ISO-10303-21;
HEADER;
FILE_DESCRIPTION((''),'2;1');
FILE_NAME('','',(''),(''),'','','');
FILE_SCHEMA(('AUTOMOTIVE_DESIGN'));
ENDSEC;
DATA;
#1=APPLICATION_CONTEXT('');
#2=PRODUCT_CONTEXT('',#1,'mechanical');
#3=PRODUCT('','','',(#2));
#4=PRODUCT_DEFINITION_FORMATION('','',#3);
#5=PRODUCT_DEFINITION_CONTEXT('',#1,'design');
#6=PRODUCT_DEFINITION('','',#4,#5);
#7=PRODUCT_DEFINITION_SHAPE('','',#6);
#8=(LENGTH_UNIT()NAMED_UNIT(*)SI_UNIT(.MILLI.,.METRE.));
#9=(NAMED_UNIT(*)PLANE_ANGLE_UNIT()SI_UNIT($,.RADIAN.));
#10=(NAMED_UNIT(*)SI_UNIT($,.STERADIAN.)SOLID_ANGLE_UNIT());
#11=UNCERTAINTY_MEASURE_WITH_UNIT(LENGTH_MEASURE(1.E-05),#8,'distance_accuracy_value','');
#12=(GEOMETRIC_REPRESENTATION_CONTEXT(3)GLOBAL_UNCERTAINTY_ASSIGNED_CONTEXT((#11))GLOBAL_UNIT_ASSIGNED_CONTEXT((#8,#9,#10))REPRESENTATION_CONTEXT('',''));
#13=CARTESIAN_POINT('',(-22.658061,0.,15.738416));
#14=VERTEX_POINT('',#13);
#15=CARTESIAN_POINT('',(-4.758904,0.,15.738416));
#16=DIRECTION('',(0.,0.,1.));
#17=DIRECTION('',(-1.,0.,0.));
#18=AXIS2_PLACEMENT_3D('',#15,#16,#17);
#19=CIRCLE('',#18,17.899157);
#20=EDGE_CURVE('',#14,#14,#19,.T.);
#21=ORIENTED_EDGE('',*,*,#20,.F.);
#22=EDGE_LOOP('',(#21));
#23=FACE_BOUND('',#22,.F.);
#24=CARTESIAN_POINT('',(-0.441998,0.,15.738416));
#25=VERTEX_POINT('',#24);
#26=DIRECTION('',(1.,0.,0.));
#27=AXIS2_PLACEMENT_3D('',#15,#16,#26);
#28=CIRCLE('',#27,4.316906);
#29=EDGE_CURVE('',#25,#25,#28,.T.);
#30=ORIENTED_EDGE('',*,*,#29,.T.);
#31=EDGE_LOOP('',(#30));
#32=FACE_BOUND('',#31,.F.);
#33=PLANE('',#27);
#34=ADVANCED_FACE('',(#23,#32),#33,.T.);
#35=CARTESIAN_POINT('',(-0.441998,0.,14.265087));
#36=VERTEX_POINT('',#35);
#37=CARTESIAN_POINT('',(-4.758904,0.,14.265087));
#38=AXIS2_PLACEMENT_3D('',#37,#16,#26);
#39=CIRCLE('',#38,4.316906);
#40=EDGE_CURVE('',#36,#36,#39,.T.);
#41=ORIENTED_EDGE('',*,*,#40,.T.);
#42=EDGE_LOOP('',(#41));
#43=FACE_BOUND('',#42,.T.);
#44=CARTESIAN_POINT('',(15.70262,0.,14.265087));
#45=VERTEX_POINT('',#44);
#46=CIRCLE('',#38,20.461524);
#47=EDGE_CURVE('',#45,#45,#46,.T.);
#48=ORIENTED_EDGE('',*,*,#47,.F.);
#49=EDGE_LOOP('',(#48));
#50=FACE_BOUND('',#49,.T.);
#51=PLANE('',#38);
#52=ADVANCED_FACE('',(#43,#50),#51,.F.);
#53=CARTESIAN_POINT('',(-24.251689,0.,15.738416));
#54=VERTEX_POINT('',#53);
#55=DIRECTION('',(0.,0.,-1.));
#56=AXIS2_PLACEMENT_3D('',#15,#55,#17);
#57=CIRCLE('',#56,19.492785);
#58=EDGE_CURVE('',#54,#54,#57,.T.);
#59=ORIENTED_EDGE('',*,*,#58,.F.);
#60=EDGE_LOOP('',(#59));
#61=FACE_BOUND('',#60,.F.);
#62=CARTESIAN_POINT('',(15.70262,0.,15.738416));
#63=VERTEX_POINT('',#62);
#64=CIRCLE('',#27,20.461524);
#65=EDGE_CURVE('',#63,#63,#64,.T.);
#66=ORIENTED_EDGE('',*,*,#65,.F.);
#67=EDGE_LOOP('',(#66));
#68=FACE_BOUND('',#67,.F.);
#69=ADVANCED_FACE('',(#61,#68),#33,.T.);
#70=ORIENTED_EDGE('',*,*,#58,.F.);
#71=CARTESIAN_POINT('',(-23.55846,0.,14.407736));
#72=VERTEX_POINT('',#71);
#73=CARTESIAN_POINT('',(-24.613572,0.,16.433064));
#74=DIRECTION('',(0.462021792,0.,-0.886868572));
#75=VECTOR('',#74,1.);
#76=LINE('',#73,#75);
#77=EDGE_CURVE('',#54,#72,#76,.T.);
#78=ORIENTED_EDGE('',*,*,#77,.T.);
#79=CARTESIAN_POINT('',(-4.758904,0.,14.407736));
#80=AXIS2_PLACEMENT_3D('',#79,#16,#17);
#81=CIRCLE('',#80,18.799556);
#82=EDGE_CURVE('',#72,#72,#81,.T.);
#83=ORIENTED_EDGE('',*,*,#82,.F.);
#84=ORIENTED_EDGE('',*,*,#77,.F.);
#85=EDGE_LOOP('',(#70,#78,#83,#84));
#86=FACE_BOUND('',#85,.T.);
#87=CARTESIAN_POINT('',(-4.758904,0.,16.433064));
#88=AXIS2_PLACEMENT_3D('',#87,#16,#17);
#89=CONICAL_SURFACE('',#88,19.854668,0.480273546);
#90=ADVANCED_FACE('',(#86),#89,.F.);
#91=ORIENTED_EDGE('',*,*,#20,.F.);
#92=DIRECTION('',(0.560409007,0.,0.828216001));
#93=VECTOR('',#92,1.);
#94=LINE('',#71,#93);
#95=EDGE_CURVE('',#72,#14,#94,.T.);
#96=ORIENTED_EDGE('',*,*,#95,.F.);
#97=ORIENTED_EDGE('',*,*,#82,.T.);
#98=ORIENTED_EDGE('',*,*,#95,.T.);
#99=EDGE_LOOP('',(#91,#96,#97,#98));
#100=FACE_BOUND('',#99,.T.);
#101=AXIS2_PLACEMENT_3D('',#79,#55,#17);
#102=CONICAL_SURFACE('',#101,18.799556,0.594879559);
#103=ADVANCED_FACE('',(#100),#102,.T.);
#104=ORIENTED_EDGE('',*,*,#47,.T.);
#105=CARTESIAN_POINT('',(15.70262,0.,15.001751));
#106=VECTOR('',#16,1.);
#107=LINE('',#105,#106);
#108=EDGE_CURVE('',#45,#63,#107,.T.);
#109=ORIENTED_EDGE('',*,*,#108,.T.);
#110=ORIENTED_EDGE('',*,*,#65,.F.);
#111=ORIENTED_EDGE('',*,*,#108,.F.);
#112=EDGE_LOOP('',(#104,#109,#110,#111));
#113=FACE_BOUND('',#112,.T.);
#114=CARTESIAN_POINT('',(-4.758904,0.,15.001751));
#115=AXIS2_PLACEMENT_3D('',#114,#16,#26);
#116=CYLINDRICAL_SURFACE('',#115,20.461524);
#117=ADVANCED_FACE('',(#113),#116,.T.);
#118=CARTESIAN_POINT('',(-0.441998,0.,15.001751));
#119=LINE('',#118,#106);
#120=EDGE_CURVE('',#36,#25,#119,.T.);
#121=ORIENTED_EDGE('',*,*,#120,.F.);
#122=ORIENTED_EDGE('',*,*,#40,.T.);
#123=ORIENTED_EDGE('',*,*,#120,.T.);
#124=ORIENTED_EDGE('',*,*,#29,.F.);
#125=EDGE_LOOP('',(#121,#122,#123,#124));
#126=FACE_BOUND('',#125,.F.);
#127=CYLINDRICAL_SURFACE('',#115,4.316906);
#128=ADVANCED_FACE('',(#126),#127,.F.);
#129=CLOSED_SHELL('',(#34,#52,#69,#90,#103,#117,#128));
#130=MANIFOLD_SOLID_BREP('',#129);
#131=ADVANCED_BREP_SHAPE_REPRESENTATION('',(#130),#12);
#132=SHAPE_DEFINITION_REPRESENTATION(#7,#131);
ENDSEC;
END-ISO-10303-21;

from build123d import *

# Parameters (mm, degrees)
F0_W = 16.144618
F0_H = 1.473329


with BuildPart() as f1:
    # F0 (on Front) → F1 (revolve)
    with BuildSketch(Plane.XZ):
        with Locations((7.630311, 15.001751)):
            Rectangle(F0_W, F0_H)
    revolve(axis=Axis((-4.758904, 0, 10.555782), (0, 0, 1)))

    # F2 (on Front) → F3 (revolve, cut)
    with BuildSketch(Plane.XZ):
        Polygon((-24.613572, 16.433064), (-23.55846, 14.407736), (-22.18803, 16.433064), align=None)
    revolve(axis=Axis((-4.758904, 0, 10.555782), (0, 0, 1)), mode=Mode.SUBTRACT)


solid = f1.part
